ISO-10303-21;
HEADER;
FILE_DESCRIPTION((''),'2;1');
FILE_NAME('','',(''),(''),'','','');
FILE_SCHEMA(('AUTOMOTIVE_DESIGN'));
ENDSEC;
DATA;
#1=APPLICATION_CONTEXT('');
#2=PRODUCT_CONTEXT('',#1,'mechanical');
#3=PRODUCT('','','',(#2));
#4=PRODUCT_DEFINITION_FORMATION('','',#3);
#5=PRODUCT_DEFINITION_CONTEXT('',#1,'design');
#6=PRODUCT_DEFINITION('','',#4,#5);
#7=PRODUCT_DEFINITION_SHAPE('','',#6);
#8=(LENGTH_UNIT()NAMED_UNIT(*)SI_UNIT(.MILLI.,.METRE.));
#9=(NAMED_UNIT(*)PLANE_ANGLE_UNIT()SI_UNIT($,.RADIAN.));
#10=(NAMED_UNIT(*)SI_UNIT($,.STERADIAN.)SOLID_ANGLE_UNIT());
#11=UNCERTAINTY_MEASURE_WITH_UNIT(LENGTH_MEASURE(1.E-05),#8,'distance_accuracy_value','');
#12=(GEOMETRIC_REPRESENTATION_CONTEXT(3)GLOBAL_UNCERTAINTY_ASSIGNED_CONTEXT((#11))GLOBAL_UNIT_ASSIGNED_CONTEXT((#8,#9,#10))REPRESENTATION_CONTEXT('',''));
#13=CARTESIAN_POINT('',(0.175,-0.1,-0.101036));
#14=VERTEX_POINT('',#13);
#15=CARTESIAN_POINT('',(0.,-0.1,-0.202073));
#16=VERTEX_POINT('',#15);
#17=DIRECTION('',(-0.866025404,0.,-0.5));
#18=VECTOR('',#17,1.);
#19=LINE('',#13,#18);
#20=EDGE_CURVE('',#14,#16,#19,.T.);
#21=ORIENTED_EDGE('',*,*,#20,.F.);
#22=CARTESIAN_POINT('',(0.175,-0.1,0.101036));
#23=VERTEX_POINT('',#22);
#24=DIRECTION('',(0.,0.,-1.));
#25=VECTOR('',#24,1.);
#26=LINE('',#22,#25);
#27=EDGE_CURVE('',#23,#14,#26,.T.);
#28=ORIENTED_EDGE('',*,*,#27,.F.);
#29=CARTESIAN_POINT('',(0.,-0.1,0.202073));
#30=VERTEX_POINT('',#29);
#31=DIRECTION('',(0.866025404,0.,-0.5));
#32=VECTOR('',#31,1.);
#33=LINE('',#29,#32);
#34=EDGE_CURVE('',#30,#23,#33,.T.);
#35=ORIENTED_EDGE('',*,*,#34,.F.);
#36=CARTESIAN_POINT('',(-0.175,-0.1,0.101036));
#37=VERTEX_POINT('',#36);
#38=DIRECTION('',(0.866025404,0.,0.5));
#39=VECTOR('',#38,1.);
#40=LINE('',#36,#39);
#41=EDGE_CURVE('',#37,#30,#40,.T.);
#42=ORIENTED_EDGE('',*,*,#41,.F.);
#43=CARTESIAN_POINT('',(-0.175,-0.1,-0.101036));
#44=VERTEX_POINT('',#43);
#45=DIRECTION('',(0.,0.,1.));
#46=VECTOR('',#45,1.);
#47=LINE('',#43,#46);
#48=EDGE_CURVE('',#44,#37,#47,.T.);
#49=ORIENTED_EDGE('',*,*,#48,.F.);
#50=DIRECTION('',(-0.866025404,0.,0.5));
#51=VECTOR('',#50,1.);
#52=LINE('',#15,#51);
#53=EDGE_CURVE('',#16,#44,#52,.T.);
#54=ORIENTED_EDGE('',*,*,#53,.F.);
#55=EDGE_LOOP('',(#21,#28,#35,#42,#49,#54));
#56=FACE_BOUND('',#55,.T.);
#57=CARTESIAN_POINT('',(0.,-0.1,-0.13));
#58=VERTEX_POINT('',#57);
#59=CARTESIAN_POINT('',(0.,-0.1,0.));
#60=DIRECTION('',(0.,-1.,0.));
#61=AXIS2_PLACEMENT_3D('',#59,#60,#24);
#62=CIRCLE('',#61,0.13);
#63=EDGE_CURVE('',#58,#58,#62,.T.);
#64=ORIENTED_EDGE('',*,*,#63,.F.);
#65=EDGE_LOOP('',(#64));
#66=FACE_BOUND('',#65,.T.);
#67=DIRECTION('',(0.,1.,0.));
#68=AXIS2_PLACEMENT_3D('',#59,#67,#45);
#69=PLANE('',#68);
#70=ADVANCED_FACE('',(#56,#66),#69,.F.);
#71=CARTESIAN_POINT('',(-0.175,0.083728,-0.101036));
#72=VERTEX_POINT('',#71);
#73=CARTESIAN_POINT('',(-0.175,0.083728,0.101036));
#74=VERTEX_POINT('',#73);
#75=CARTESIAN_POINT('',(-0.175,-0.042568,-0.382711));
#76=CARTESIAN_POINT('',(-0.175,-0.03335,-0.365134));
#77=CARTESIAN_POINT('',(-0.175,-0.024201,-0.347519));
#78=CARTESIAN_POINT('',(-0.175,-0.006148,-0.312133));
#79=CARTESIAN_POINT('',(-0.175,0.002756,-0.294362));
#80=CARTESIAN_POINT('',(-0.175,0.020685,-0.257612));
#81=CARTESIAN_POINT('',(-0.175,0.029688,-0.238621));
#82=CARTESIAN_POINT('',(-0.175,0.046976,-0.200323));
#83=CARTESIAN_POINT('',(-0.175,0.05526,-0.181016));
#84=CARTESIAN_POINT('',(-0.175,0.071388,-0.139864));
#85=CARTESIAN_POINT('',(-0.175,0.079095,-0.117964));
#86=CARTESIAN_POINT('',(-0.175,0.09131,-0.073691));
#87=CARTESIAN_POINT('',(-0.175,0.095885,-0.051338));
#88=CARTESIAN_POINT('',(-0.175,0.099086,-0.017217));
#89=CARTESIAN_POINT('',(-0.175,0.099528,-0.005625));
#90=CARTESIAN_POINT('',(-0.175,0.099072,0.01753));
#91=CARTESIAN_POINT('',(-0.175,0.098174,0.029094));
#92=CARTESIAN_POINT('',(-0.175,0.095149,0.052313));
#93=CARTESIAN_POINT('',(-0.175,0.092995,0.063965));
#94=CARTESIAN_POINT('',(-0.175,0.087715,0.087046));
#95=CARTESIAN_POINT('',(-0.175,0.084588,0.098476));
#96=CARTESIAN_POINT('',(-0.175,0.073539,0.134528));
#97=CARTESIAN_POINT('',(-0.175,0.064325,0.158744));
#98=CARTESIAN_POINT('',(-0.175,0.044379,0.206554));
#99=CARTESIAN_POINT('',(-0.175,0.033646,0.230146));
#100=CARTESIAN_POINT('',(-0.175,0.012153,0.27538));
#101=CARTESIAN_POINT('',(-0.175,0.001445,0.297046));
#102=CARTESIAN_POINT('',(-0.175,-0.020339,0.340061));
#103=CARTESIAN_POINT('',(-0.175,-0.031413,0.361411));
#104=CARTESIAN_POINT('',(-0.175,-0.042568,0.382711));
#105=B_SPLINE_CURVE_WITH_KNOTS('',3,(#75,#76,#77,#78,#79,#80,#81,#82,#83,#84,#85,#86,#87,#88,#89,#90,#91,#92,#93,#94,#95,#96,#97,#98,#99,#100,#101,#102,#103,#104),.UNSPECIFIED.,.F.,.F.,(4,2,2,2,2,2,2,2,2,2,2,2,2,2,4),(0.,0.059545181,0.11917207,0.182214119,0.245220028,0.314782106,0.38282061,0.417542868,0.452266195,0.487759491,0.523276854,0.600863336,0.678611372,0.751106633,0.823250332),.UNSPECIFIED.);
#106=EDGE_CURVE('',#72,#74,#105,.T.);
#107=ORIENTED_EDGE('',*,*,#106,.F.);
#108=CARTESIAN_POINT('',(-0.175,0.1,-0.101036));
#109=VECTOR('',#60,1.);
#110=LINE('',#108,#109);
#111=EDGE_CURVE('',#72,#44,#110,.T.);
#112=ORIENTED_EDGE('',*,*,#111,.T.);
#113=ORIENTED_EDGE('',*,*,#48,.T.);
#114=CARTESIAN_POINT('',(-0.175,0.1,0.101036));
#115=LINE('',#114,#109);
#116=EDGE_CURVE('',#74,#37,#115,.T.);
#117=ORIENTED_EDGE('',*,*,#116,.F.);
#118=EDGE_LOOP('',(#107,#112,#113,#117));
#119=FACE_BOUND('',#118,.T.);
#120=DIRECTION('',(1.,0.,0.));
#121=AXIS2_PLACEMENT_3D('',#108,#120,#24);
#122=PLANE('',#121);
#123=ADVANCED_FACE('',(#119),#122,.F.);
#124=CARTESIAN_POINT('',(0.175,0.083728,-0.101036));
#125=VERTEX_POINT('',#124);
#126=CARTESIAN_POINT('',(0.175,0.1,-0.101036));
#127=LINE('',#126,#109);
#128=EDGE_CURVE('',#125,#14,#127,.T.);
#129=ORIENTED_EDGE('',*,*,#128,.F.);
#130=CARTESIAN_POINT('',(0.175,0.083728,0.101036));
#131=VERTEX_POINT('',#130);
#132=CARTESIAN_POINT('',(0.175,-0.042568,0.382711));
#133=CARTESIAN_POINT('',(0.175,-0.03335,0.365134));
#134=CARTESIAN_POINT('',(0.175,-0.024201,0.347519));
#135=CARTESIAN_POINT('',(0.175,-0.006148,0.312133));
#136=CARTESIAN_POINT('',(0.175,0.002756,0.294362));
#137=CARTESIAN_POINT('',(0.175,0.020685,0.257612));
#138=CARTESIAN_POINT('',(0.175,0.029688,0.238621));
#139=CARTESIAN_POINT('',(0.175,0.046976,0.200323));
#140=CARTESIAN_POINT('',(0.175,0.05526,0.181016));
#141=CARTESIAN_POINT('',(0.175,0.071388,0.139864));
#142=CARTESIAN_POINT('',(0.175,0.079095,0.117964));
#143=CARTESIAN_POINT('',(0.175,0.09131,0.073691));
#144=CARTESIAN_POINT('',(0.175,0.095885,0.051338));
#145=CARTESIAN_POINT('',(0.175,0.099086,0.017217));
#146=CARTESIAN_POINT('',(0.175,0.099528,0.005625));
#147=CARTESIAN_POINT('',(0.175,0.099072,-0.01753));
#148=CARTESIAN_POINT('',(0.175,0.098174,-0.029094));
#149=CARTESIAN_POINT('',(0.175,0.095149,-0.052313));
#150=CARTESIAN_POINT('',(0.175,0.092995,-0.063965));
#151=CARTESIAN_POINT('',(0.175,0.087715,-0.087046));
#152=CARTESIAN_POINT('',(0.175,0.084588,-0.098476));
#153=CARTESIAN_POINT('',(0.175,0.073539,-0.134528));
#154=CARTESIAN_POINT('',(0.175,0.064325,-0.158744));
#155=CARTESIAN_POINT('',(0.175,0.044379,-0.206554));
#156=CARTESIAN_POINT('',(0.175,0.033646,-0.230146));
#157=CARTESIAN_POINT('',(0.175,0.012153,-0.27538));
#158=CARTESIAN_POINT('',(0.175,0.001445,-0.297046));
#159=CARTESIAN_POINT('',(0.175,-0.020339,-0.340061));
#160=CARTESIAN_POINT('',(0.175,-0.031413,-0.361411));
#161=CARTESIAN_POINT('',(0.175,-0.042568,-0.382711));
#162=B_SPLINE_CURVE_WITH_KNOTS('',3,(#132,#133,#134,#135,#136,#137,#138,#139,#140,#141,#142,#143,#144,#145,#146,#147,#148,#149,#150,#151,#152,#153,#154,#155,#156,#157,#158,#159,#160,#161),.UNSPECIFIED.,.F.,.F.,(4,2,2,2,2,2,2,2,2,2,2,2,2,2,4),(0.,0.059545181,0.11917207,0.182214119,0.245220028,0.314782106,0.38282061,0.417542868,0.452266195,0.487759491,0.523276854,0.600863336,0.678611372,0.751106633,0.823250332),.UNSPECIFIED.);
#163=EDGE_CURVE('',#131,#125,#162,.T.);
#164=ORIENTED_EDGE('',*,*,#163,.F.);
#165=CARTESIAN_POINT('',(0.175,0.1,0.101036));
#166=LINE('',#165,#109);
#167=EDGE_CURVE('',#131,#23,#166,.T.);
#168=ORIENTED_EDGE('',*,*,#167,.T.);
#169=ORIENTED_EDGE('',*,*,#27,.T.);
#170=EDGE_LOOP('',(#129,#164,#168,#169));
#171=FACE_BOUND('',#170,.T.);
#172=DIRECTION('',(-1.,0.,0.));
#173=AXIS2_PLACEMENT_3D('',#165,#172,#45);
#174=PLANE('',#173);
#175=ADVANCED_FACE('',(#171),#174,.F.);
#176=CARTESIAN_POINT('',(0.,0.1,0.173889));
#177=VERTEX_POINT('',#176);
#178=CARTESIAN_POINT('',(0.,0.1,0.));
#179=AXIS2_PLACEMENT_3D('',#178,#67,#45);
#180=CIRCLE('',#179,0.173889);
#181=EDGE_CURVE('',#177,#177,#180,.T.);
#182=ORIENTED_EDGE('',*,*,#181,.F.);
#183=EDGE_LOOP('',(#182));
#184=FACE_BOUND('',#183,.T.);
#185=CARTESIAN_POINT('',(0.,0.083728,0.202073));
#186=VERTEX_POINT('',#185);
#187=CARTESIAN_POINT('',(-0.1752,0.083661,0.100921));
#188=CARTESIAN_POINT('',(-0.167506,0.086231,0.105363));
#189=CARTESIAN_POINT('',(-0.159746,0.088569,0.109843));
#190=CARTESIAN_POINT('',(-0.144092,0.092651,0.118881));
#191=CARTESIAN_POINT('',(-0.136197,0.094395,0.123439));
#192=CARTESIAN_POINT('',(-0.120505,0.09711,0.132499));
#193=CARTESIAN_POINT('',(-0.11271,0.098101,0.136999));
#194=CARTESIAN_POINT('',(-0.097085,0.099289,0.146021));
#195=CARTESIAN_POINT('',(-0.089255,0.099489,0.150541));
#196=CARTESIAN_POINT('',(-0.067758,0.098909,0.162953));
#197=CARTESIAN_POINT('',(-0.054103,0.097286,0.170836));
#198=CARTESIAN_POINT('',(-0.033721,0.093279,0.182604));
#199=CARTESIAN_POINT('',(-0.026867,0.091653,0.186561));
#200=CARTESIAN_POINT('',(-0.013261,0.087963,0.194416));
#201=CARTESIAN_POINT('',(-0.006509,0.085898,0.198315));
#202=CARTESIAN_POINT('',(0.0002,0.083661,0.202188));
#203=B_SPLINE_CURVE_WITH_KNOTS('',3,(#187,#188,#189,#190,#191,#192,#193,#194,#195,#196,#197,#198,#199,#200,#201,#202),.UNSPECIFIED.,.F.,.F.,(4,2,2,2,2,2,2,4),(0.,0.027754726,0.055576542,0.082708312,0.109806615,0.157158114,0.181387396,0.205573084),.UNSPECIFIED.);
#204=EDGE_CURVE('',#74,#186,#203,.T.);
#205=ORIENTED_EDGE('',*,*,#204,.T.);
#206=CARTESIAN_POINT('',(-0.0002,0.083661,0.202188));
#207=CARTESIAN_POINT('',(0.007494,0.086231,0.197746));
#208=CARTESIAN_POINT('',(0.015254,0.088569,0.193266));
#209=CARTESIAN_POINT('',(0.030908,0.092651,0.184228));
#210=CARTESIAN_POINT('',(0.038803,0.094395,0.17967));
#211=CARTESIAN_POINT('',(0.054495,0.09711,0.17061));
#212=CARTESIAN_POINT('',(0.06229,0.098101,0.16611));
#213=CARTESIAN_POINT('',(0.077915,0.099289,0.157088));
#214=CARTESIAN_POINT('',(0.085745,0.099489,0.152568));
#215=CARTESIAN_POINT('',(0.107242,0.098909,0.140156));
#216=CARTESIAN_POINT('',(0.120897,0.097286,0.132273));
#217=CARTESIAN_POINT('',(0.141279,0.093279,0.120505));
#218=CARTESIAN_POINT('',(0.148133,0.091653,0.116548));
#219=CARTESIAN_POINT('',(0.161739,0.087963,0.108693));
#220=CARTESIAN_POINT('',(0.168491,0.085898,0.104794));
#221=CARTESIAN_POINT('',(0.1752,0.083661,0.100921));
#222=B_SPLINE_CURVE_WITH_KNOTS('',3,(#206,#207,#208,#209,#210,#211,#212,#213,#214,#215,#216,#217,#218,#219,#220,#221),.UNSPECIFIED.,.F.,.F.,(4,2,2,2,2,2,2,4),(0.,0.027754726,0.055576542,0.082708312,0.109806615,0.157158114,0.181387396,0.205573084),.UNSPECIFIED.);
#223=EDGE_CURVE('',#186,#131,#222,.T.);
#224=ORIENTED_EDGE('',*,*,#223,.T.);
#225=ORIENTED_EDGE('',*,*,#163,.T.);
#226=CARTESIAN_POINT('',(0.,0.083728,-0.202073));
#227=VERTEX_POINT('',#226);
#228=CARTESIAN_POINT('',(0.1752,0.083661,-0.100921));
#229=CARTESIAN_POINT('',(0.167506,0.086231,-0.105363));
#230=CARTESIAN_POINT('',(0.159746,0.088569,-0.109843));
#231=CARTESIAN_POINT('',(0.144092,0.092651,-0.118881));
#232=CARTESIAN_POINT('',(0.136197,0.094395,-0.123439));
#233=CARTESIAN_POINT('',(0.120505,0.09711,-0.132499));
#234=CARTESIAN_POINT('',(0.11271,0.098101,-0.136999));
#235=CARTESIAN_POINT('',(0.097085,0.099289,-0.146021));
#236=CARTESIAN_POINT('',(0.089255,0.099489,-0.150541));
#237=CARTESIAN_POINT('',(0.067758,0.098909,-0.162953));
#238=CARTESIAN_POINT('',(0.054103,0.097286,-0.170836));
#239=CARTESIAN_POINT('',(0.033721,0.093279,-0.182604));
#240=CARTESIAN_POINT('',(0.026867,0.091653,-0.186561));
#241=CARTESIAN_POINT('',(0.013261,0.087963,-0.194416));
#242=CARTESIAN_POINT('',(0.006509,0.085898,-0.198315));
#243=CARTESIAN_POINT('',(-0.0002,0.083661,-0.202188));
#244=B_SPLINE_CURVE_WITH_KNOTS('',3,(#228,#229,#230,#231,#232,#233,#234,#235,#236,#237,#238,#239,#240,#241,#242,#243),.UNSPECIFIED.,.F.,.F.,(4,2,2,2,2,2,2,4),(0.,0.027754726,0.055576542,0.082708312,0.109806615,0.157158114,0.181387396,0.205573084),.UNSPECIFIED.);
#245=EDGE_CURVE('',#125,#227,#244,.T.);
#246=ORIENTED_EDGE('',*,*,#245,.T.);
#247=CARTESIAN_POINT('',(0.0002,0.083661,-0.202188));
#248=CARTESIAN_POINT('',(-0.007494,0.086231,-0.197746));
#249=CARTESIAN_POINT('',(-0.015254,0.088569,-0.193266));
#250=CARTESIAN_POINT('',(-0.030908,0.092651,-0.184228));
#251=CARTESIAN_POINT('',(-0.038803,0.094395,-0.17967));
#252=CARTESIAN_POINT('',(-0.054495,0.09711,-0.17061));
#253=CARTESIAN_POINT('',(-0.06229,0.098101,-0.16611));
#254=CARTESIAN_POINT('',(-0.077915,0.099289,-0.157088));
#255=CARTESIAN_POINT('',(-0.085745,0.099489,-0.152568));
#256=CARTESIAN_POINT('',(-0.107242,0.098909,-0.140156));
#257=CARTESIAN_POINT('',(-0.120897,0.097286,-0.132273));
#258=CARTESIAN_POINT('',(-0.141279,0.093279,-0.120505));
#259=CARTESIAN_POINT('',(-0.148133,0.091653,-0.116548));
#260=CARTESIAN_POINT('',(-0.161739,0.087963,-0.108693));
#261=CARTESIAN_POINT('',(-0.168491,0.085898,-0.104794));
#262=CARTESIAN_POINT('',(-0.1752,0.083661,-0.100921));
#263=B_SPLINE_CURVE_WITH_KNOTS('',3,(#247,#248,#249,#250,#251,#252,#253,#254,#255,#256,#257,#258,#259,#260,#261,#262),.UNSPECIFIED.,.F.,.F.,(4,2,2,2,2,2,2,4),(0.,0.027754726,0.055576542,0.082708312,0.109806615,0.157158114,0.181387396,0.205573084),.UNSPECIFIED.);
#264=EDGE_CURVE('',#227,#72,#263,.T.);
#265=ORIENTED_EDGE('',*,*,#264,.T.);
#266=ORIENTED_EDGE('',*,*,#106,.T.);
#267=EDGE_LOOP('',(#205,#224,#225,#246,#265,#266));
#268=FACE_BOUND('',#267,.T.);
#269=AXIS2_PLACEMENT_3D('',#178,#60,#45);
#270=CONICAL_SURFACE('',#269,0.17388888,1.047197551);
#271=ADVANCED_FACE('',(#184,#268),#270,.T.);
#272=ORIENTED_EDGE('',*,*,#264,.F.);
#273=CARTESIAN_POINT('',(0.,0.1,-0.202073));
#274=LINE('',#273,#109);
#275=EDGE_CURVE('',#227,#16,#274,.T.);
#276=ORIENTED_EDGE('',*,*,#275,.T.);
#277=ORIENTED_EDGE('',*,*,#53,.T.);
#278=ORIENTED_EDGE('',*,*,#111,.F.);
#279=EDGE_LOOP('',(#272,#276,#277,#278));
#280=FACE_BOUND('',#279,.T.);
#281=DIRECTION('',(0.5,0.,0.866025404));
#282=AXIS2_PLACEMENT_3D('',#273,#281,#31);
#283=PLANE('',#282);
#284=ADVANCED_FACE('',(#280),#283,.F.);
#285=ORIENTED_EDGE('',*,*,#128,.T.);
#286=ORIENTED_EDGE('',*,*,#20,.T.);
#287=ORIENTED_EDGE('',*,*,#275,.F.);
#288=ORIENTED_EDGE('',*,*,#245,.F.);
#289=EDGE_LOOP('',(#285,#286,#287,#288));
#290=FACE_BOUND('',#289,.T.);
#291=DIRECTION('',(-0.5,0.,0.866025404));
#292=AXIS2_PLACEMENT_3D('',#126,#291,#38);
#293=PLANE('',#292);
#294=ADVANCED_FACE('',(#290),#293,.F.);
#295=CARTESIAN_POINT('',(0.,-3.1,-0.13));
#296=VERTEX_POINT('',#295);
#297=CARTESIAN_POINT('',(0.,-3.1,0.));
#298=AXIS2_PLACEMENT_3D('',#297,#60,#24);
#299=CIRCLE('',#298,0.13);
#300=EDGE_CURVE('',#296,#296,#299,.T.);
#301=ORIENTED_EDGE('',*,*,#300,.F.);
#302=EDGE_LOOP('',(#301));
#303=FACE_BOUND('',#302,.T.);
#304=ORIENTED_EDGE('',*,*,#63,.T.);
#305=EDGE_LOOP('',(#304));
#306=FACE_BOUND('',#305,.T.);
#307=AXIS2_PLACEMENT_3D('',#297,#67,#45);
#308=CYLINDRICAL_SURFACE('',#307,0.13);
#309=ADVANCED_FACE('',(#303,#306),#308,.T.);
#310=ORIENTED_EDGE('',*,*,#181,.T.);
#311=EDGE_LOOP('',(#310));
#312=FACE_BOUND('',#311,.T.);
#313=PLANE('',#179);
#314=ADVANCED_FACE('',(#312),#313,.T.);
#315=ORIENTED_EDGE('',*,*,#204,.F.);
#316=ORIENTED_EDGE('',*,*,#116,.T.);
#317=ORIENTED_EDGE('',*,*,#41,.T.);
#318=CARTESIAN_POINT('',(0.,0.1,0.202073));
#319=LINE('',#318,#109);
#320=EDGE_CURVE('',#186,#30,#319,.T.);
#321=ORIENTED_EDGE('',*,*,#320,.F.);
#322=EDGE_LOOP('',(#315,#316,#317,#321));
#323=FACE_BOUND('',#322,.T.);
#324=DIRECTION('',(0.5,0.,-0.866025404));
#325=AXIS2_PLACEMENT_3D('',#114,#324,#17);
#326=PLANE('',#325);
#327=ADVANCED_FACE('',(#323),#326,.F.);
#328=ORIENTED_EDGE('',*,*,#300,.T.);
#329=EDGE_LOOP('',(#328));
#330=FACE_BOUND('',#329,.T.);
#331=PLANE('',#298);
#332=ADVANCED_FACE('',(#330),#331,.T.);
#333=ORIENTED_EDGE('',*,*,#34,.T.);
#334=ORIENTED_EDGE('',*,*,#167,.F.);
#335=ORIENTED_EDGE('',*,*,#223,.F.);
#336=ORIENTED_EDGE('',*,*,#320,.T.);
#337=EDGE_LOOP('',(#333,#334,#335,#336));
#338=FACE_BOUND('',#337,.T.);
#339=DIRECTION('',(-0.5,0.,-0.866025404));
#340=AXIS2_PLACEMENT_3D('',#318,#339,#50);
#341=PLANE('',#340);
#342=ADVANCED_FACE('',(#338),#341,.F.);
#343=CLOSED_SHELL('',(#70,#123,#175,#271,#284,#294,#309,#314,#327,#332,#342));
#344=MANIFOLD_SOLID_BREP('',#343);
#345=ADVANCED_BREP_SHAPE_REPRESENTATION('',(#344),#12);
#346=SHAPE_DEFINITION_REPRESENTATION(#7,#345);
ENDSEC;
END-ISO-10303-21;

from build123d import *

# Parameters (mm, degrees)
BOSS_EXTRUDE1_DEPTH = 0.1
SKETCH3_OUTSIDE_W   = 3.156
SKETCH3_OUTSIDE_H   = 3.21
SKETCH3_OUTSIDE_R   = 0.17388888
CUT_EXTRUDE1_DEPTH  = 0.2
CUT_EXTRUDE1_DRAFT  = -60
SKETCH4_R           = 0.13
BOSS_EXTRUDE2_DEPTH = 3


with BuildPart() as part:
    # Sketch2 → Boss-Extrude1 (new, symmetric)
    with BuildSketch(Plane(origin=(0, 0, 0), x_dir=(1, 0, 0), z_dir=(0, 1, 0))):
        Polygon((0, -0.202072594), (0.175, -0.101036297), (0.175, 0.101036297), (0, 0.202072594), (-0.175, 0.101036297), (-0.175, -0.101036297), align=None)
    extrude(amount=BOSS_EXTRUDE1_DEPTH, both=True)


with BuildPart() as cut_extrude1_tool:
    # Sketch3 outside → Cut-Extrude1 (with draft: the straight prism first)
    with BuildSketch(Plane(origin=(0, 0.1, 0), x_dir=(1, 0, 0), z_dir=(0, 1, 0))):
        Rectangle(SKETCH3_OUTSIDE_W, SKETCH3_OUTSIDE_H)
        Circle(SKETCH3_OUTSIDE_R, mode=Mode.SUBTRACT)
    extrude(amount=-CUT_EXTRUDE1_DEPTH)
    # Cut-Extrude1: the draft: its side faces are tilted about the plane it starts from
    cut_extrude1_sides = [cut_extrude1_tool.faces().sort_by_distance(p)[0] for p in [
        (0, 0, 1.605),
        (1.578, 0, 0),
        (0, 0, -1.605),
        (-1.578, 0, 0),
        (-0.17388888, 0, 0),
    ]]
    draft(cut_extrude1_sides, Plane(origin=(0, 0.1, 0), x_dir=(1, 0, 0), z_dir=(0, 1, 0)), CUT_EXTRUDE1_DRAFT)


with BuildPart() as part_1:
    add(part.part)

    # Cut-Extrude1: cut by cut_extrude1_tool
    add(cut_extrude1_tool.part, mode=Mode.SUBTRACT)

    # Sketch4 → Boss-Extrude2 (add)
    with BuildSketch(Plane.XZ.offset(0.1)):
        with Locations(Location((0, 0, 0), (0, 0, 270))):
            Circle(SKETCH4_R)
    extrude(amount=BOSS_EXTRUDE2_DEPTH)


solid = part_1.part
